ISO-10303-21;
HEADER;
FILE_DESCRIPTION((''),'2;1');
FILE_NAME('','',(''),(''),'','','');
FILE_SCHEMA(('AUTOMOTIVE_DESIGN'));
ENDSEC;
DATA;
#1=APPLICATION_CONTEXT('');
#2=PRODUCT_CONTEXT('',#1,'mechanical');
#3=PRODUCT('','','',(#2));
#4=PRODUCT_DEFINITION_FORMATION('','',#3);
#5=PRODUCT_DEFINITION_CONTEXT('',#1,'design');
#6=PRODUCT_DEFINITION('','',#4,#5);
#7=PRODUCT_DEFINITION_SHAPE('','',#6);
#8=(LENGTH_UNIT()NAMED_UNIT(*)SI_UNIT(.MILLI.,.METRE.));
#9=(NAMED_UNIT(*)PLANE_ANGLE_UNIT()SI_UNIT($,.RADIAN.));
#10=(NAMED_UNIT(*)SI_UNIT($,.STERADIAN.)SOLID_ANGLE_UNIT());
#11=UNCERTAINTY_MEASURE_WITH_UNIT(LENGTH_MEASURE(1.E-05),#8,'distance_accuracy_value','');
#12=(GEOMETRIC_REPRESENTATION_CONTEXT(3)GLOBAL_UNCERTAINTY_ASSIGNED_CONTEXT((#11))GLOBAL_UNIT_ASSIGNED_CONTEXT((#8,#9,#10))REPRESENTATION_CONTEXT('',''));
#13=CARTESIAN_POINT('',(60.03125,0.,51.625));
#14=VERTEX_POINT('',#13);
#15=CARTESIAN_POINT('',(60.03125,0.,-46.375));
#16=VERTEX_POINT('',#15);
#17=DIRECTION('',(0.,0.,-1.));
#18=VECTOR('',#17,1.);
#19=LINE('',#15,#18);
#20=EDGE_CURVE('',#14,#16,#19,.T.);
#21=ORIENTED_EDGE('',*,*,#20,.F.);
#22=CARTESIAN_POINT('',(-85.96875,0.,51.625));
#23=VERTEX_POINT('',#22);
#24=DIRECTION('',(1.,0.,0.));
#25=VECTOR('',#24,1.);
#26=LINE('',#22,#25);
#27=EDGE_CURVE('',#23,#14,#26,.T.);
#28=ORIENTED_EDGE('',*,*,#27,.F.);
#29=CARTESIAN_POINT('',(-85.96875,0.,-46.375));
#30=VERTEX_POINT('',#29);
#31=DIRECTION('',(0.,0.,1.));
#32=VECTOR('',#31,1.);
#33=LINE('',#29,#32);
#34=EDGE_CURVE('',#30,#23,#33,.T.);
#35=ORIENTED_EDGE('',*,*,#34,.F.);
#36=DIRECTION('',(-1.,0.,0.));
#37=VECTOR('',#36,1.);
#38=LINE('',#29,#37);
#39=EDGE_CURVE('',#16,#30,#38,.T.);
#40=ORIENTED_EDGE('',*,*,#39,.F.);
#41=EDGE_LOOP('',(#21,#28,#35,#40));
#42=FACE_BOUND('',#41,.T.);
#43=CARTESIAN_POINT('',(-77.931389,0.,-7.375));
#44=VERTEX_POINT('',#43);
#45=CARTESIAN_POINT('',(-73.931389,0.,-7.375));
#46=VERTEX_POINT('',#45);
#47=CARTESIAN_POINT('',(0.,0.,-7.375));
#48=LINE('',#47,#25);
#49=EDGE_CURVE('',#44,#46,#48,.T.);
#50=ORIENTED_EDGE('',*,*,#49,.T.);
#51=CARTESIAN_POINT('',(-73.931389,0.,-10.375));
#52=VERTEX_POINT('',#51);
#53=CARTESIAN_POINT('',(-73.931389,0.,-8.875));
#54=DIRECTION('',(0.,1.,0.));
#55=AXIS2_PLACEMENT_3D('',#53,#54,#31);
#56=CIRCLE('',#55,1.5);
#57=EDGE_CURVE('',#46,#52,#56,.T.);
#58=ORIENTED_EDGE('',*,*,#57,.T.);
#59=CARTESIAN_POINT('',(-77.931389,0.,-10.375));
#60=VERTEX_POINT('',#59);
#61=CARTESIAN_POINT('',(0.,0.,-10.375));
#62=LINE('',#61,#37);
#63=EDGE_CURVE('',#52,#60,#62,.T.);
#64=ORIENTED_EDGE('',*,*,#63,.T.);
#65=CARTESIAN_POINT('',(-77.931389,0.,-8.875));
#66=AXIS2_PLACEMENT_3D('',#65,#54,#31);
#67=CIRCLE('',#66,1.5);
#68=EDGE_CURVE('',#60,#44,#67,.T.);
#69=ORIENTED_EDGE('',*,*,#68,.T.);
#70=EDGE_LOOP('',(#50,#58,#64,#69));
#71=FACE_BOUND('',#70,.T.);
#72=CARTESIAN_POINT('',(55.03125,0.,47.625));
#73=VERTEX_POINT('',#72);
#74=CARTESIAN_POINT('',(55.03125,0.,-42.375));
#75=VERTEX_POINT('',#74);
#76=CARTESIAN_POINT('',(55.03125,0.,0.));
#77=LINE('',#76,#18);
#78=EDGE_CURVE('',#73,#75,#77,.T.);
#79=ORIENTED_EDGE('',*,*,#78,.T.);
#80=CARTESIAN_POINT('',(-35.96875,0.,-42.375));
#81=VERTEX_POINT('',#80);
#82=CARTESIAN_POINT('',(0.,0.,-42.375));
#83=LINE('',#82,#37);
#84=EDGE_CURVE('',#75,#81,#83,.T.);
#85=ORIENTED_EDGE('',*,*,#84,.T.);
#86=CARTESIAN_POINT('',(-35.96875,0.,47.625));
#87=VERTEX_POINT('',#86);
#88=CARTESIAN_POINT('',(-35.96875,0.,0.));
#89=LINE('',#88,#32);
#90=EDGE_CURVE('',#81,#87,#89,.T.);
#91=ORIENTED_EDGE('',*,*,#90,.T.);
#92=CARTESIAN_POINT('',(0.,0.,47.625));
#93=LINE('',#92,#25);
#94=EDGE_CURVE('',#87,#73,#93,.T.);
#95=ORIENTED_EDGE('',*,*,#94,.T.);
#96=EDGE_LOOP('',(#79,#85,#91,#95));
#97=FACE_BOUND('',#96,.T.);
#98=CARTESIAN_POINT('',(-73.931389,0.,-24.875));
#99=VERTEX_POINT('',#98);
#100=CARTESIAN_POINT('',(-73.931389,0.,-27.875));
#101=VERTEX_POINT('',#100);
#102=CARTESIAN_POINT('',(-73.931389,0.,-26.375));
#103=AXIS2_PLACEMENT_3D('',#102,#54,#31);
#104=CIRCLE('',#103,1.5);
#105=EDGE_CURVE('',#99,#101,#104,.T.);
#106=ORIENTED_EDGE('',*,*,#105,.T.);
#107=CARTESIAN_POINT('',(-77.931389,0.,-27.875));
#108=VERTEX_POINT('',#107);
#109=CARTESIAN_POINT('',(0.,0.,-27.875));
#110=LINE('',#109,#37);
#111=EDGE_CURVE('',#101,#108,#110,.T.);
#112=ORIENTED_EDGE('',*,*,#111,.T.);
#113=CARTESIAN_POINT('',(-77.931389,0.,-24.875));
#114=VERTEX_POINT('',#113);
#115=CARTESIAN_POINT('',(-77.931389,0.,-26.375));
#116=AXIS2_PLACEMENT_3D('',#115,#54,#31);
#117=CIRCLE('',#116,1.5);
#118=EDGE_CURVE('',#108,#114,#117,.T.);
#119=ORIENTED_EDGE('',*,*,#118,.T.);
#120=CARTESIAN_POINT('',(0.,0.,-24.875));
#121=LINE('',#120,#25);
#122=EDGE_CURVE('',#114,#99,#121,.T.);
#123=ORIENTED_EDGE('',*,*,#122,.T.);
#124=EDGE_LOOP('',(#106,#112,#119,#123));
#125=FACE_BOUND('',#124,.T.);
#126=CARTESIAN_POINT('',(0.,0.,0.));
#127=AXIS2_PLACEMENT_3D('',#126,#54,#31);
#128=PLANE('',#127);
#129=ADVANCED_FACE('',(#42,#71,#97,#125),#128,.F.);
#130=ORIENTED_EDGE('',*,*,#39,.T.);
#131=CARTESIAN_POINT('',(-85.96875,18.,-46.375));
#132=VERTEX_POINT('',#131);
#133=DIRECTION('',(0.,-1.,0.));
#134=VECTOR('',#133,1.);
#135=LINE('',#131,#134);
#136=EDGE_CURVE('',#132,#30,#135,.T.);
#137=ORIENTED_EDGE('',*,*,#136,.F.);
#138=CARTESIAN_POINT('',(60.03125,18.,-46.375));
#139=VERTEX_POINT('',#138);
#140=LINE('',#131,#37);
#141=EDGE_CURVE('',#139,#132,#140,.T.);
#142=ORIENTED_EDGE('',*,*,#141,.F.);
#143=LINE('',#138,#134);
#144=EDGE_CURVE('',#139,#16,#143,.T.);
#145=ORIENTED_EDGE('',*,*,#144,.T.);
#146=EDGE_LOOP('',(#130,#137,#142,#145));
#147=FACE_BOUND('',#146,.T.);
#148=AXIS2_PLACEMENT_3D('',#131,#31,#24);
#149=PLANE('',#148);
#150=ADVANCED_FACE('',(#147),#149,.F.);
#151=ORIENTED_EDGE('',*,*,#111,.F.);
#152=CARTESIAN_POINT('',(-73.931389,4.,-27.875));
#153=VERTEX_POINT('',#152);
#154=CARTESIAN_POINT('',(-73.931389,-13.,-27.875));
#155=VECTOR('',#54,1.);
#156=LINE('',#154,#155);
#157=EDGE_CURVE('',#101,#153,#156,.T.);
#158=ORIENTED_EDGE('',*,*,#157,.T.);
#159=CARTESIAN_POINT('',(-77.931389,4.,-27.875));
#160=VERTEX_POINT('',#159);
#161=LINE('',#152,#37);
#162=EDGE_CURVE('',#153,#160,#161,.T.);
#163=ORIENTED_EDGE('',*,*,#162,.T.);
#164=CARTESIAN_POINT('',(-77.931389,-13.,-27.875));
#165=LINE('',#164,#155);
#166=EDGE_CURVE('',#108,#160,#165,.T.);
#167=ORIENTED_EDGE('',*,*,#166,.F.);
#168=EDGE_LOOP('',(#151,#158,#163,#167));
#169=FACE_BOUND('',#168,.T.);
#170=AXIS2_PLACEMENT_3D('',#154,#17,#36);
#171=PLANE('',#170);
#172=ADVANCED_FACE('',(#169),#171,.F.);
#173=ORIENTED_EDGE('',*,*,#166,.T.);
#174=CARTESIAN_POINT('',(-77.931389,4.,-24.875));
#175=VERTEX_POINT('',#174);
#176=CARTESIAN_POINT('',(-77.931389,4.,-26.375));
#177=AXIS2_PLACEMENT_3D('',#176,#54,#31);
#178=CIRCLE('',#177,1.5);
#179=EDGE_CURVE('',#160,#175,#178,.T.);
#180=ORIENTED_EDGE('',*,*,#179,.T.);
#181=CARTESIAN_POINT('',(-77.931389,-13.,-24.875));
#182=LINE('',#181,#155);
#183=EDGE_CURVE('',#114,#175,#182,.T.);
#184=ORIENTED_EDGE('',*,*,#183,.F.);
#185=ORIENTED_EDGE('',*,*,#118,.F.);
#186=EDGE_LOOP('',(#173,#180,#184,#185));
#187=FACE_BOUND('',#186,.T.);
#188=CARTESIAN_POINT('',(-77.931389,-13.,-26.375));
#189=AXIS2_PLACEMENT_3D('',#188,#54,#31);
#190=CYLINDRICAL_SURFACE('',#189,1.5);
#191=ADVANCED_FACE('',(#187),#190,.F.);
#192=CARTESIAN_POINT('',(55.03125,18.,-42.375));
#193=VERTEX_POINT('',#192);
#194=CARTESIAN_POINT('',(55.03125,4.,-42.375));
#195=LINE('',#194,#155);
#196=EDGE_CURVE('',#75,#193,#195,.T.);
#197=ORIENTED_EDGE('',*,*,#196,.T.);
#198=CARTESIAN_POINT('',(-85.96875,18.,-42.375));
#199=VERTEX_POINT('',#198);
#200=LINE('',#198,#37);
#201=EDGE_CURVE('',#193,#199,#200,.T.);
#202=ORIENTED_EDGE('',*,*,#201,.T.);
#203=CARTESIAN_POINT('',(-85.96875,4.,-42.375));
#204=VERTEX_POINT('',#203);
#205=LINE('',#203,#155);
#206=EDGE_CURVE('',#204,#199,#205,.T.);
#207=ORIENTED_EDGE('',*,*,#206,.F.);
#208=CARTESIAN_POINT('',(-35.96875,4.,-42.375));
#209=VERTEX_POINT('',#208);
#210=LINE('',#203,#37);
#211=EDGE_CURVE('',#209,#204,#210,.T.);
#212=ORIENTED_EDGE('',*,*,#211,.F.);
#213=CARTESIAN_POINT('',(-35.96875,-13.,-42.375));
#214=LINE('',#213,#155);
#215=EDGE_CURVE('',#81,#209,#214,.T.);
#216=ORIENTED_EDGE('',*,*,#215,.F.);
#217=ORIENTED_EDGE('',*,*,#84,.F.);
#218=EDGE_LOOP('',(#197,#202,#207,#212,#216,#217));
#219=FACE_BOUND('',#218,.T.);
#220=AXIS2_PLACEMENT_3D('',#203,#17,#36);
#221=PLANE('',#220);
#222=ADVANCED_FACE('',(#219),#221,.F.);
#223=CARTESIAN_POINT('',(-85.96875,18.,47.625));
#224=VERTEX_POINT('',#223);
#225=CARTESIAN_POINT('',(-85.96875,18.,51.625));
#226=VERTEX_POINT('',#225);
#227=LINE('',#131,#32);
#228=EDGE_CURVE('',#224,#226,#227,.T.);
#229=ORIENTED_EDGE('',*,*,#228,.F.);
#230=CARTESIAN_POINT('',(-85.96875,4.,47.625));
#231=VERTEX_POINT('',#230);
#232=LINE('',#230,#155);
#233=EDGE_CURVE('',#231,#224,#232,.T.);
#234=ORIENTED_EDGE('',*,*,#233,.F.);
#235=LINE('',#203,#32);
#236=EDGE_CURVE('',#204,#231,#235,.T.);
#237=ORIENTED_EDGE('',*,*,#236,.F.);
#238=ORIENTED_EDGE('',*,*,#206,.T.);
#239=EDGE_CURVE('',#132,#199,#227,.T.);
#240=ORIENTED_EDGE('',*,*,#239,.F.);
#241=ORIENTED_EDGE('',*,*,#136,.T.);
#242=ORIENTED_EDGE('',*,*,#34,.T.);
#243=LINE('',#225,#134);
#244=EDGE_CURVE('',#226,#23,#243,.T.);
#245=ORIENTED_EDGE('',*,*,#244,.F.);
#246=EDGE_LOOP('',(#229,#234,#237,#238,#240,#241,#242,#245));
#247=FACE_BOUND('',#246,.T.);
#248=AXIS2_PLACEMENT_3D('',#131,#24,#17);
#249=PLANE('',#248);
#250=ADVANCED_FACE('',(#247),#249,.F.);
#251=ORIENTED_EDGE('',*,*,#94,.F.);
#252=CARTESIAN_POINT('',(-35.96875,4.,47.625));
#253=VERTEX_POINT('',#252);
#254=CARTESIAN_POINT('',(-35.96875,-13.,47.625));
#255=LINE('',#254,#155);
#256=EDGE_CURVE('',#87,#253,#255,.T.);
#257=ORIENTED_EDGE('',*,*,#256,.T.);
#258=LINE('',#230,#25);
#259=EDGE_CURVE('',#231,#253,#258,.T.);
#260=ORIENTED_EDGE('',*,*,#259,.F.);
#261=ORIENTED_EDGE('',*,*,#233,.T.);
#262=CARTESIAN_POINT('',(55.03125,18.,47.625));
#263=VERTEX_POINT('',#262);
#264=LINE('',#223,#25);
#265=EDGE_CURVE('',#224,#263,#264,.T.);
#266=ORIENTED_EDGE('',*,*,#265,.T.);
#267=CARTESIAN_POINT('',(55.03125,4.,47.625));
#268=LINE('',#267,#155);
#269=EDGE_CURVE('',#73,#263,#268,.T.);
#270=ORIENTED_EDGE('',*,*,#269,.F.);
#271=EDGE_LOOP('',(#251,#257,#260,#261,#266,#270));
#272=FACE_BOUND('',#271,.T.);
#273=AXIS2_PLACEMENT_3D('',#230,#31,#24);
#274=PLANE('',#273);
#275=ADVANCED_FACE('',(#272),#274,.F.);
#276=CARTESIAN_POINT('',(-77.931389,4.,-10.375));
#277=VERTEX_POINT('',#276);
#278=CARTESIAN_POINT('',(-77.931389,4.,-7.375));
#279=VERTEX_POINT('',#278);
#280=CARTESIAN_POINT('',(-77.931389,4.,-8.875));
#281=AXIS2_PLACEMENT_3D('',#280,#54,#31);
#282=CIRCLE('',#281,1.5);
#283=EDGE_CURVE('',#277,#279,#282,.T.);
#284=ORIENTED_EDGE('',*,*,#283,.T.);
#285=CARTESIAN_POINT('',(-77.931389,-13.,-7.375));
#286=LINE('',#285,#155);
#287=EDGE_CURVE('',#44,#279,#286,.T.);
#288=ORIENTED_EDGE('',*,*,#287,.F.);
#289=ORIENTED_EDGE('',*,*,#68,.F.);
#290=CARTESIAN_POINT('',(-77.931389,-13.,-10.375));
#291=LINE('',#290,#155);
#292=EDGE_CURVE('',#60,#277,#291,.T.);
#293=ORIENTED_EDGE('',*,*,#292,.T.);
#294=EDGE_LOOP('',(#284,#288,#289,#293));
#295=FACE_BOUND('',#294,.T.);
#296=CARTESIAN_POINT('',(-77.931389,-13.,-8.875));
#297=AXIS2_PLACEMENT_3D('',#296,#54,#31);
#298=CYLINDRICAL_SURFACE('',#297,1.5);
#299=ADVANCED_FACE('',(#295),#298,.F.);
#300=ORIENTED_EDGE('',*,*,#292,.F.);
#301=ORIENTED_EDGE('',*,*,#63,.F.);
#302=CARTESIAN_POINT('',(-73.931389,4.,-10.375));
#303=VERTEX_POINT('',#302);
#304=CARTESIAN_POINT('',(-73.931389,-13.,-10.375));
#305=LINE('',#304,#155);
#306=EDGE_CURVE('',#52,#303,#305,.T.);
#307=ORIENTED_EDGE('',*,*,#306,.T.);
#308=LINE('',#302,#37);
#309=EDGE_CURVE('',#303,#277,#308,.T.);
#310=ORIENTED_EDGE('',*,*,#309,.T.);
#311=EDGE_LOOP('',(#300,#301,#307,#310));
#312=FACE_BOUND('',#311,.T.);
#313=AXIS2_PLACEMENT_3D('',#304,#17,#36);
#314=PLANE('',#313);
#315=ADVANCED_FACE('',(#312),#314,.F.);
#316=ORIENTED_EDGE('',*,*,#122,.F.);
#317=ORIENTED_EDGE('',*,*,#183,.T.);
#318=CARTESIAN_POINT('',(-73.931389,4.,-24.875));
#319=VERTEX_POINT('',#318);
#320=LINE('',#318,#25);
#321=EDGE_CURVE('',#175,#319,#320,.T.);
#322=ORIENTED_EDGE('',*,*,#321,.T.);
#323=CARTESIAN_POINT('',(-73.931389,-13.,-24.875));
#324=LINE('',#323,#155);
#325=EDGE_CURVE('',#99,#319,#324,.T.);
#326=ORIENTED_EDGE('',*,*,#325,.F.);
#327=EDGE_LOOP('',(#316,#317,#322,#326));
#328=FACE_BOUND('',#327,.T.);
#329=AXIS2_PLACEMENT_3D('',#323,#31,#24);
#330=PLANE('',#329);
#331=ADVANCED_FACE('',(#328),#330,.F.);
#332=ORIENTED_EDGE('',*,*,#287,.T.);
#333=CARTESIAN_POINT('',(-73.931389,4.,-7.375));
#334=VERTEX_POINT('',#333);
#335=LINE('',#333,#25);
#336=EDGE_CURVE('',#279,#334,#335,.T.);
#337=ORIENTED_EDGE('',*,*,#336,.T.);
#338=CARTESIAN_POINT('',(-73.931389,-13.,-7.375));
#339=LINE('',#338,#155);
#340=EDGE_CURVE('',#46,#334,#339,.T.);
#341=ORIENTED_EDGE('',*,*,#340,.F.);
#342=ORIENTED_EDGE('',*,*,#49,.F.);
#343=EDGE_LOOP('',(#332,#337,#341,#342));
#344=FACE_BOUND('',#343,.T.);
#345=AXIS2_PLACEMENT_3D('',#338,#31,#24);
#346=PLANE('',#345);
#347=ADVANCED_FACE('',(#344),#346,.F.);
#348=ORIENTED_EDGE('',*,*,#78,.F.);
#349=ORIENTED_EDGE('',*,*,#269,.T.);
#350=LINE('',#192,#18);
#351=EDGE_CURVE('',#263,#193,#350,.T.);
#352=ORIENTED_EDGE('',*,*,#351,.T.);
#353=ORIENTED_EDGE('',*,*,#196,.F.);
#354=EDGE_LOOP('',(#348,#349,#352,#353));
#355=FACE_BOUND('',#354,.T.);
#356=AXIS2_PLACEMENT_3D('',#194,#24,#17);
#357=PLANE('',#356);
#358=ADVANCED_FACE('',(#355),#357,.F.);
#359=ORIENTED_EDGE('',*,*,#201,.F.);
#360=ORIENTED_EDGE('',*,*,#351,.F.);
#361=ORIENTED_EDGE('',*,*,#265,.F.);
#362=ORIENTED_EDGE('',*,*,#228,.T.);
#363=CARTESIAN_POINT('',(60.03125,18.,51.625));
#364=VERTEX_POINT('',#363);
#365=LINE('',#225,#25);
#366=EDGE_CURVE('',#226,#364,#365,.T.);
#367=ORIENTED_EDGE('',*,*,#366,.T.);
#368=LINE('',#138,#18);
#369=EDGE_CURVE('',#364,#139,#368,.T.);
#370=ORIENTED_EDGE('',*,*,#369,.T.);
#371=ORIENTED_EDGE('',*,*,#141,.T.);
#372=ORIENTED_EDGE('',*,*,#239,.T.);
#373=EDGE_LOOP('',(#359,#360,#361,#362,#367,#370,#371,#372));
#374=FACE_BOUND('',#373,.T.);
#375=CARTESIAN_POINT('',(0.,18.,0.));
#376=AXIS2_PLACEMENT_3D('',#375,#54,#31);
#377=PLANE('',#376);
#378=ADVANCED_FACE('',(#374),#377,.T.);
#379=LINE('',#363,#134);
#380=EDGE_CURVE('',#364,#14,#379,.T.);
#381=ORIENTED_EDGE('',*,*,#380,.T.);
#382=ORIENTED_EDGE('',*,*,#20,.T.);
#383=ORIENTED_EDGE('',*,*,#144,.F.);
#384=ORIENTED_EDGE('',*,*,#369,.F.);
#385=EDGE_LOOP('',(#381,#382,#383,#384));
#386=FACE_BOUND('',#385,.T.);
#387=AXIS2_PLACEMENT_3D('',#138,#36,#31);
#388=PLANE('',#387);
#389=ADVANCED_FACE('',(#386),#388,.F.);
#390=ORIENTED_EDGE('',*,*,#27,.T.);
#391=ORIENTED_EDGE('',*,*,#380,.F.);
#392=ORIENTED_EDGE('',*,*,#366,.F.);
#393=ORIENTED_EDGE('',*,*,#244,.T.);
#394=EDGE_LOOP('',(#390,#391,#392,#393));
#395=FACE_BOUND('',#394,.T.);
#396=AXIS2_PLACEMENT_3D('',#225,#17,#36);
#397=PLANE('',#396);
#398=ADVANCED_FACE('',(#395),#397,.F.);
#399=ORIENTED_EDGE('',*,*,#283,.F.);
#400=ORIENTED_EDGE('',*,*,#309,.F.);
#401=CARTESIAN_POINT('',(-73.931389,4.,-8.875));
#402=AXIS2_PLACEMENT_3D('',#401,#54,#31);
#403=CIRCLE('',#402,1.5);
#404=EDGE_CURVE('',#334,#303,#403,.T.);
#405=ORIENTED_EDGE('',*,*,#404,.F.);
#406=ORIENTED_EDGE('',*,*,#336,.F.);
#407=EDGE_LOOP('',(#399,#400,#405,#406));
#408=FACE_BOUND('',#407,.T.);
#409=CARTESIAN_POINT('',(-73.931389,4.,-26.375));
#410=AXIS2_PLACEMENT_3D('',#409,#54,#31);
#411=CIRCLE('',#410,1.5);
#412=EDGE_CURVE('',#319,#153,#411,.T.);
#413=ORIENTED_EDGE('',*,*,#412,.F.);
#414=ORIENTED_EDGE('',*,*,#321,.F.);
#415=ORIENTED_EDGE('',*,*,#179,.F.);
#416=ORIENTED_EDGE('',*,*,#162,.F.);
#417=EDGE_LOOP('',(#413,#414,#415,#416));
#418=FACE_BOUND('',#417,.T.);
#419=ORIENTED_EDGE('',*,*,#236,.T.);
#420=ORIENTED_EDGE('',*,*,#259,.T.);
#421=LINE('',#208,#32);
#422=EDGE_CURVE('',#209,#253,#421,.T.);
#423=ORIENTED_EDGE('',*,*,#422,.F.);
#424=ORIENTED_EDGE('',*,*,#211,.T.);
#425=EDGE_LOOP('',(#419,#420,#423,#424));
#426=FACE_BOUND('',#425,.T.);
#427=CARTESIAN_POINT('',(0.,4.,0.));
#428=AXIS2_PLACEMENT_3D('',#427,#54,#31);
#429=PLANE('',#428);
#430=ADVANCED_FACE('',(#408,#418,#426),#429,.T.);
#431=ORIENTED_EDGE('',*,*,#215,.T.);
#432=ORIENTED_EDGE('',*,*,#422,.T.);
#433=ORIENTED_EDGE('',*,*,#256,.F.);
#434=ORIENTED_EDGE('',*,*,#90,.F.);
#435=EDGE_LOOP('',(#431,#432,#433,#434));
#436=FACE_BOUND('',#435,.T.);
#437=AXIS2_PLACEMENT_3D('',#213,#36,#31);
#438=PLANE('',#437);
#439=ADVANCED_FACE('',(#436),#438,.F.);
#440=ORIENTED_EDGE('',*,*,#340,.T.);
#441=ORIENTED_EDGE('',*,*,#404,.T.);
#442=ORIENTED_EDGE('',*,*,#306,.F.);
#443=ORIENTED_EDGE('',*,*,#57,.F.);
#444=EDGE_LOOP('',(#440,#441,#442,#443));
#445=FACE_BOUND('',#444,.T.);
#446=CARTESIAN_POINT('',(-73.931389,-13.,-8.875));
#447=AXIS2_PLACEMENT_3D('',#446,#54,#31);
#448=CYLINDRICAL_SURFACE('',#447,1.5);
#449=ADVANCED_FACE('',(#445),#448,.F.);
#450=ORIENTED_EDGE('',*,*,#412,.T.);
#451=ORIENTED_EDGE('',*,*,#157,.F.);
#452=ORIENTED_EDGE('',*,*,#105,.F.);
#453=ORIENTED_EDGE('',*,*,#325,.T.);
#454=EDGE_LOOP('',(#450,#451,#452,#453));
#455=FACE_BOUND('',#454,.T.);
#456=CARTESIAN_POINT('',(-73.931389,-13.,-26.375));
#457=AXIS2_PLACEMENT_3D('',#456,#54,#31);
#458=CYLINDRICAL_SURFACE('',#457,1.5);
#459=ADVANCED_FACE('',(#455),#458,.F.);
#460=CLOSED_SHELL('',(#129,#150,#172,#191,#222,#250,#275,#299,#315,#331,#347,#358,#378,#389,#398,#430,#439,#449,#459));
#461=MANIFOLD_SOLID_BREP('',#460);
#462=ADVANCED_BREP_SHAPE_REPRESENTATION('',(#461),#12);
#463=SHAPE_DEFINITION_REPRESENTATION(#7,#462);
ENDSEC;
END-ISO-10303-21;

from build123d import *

# Parameters (mm, degrees)
SKETCH_1_W          = 146
SKETCH_1_H          = 98
EXTRUDE_1_DEPTH     = 18
SKETCH_2_W          = 141
SKETCH_2_H          = 90
CUT_EXTRUDE_1_DEPTH = 14
SKETCH_3_W          = 91
SKETCH_3_H          = 90
CUT_EXTRUDE_2_DEPTH = 17
CUT_EXTRUDE_3_DEPTH = 17


with BuildPart() as part:
    # 草图1 → 凸台-拉伸1 (new body)
    with BuildSketch(Plane(origin=(0, 0, 0), x_dir=(1, 0, 0), z_dir=(0, 1, 0))):
        with Locations((-12.96875, -2.625)):
            Rectangle(SKETCH_1_W, SKETCH_1_H)
    extrude(amount=EXTRUDE_1_DEPTH)

    # 草图2 → 切除-拉伸1 (cut)
    with BuildSketch(Plane(origin=(0, 18, 0), x_dir=(1, 0, 0), z_dir=(0, 1, 0))):
        with Locations((-15.46875, -2.625)):
            Rectangle(SKETCH_2_W, SKETCH_2_H)
    extrude(amount=-CUT_EXTRUDE_1_DEPTH, mode=Mode.SUBTRACT)

    # 草图3 → 切除-拉伸2 (cut)
    with BuildSketch(Plane(origin=(0, 4, 0), x_dir=(1, 0, 0), z_dir=(0, 1, 0))):
        with Locations((9.53125, -2.625)):
            Rectangle(SKETCH_3_W, SKETCH_3_H)
    extrude(amount=-CUT_EXTRUDE_2_DEPTH, mode=Mode.SUBTRACT)

    # 草图5 → 切除-拉伸3 (cut)
    with BuildSketch(Plane(origin=(0, 4, 0), x_dir=(1, 0, 0), z_dir=(0, 1, 0))):
        with BuildLine():
            Line((-73.931388989, 24.875), (-77.931388989, 24.875))
            ThreePointArc((-77.931388989, 24.875), (-79.431388989, 26.375), (-77.931388989, 27.875))
            Line((-77.931388989, 27.875), (-73.931388989, 27.875))
            ThreePointArc((-73.931388989, 27.875), (-72.431388989, 26.375), (-73.931388989, 24.875))
        make_face()
        with BuildLine():
            Line((-73.931388989, 7.375), (-77.931388989, 7.375))
            ThreePointArc((-77.931388989, 7.375), (-79.431388989, 8.875), (-77.931388989, 10.375))
            Line((-77.931388989, 10.375), (-73.931388989, 10.375))
            ThreePointArc((-73.931388989, 10.375), (-72.431388989, 8.875), (-73.931388989, 7.375))
        make_face()
    extrude(amount=-CUT_EXTRUDE_3_DEPTH, mode=Mode.SUBTRACT)


solid = part.part
